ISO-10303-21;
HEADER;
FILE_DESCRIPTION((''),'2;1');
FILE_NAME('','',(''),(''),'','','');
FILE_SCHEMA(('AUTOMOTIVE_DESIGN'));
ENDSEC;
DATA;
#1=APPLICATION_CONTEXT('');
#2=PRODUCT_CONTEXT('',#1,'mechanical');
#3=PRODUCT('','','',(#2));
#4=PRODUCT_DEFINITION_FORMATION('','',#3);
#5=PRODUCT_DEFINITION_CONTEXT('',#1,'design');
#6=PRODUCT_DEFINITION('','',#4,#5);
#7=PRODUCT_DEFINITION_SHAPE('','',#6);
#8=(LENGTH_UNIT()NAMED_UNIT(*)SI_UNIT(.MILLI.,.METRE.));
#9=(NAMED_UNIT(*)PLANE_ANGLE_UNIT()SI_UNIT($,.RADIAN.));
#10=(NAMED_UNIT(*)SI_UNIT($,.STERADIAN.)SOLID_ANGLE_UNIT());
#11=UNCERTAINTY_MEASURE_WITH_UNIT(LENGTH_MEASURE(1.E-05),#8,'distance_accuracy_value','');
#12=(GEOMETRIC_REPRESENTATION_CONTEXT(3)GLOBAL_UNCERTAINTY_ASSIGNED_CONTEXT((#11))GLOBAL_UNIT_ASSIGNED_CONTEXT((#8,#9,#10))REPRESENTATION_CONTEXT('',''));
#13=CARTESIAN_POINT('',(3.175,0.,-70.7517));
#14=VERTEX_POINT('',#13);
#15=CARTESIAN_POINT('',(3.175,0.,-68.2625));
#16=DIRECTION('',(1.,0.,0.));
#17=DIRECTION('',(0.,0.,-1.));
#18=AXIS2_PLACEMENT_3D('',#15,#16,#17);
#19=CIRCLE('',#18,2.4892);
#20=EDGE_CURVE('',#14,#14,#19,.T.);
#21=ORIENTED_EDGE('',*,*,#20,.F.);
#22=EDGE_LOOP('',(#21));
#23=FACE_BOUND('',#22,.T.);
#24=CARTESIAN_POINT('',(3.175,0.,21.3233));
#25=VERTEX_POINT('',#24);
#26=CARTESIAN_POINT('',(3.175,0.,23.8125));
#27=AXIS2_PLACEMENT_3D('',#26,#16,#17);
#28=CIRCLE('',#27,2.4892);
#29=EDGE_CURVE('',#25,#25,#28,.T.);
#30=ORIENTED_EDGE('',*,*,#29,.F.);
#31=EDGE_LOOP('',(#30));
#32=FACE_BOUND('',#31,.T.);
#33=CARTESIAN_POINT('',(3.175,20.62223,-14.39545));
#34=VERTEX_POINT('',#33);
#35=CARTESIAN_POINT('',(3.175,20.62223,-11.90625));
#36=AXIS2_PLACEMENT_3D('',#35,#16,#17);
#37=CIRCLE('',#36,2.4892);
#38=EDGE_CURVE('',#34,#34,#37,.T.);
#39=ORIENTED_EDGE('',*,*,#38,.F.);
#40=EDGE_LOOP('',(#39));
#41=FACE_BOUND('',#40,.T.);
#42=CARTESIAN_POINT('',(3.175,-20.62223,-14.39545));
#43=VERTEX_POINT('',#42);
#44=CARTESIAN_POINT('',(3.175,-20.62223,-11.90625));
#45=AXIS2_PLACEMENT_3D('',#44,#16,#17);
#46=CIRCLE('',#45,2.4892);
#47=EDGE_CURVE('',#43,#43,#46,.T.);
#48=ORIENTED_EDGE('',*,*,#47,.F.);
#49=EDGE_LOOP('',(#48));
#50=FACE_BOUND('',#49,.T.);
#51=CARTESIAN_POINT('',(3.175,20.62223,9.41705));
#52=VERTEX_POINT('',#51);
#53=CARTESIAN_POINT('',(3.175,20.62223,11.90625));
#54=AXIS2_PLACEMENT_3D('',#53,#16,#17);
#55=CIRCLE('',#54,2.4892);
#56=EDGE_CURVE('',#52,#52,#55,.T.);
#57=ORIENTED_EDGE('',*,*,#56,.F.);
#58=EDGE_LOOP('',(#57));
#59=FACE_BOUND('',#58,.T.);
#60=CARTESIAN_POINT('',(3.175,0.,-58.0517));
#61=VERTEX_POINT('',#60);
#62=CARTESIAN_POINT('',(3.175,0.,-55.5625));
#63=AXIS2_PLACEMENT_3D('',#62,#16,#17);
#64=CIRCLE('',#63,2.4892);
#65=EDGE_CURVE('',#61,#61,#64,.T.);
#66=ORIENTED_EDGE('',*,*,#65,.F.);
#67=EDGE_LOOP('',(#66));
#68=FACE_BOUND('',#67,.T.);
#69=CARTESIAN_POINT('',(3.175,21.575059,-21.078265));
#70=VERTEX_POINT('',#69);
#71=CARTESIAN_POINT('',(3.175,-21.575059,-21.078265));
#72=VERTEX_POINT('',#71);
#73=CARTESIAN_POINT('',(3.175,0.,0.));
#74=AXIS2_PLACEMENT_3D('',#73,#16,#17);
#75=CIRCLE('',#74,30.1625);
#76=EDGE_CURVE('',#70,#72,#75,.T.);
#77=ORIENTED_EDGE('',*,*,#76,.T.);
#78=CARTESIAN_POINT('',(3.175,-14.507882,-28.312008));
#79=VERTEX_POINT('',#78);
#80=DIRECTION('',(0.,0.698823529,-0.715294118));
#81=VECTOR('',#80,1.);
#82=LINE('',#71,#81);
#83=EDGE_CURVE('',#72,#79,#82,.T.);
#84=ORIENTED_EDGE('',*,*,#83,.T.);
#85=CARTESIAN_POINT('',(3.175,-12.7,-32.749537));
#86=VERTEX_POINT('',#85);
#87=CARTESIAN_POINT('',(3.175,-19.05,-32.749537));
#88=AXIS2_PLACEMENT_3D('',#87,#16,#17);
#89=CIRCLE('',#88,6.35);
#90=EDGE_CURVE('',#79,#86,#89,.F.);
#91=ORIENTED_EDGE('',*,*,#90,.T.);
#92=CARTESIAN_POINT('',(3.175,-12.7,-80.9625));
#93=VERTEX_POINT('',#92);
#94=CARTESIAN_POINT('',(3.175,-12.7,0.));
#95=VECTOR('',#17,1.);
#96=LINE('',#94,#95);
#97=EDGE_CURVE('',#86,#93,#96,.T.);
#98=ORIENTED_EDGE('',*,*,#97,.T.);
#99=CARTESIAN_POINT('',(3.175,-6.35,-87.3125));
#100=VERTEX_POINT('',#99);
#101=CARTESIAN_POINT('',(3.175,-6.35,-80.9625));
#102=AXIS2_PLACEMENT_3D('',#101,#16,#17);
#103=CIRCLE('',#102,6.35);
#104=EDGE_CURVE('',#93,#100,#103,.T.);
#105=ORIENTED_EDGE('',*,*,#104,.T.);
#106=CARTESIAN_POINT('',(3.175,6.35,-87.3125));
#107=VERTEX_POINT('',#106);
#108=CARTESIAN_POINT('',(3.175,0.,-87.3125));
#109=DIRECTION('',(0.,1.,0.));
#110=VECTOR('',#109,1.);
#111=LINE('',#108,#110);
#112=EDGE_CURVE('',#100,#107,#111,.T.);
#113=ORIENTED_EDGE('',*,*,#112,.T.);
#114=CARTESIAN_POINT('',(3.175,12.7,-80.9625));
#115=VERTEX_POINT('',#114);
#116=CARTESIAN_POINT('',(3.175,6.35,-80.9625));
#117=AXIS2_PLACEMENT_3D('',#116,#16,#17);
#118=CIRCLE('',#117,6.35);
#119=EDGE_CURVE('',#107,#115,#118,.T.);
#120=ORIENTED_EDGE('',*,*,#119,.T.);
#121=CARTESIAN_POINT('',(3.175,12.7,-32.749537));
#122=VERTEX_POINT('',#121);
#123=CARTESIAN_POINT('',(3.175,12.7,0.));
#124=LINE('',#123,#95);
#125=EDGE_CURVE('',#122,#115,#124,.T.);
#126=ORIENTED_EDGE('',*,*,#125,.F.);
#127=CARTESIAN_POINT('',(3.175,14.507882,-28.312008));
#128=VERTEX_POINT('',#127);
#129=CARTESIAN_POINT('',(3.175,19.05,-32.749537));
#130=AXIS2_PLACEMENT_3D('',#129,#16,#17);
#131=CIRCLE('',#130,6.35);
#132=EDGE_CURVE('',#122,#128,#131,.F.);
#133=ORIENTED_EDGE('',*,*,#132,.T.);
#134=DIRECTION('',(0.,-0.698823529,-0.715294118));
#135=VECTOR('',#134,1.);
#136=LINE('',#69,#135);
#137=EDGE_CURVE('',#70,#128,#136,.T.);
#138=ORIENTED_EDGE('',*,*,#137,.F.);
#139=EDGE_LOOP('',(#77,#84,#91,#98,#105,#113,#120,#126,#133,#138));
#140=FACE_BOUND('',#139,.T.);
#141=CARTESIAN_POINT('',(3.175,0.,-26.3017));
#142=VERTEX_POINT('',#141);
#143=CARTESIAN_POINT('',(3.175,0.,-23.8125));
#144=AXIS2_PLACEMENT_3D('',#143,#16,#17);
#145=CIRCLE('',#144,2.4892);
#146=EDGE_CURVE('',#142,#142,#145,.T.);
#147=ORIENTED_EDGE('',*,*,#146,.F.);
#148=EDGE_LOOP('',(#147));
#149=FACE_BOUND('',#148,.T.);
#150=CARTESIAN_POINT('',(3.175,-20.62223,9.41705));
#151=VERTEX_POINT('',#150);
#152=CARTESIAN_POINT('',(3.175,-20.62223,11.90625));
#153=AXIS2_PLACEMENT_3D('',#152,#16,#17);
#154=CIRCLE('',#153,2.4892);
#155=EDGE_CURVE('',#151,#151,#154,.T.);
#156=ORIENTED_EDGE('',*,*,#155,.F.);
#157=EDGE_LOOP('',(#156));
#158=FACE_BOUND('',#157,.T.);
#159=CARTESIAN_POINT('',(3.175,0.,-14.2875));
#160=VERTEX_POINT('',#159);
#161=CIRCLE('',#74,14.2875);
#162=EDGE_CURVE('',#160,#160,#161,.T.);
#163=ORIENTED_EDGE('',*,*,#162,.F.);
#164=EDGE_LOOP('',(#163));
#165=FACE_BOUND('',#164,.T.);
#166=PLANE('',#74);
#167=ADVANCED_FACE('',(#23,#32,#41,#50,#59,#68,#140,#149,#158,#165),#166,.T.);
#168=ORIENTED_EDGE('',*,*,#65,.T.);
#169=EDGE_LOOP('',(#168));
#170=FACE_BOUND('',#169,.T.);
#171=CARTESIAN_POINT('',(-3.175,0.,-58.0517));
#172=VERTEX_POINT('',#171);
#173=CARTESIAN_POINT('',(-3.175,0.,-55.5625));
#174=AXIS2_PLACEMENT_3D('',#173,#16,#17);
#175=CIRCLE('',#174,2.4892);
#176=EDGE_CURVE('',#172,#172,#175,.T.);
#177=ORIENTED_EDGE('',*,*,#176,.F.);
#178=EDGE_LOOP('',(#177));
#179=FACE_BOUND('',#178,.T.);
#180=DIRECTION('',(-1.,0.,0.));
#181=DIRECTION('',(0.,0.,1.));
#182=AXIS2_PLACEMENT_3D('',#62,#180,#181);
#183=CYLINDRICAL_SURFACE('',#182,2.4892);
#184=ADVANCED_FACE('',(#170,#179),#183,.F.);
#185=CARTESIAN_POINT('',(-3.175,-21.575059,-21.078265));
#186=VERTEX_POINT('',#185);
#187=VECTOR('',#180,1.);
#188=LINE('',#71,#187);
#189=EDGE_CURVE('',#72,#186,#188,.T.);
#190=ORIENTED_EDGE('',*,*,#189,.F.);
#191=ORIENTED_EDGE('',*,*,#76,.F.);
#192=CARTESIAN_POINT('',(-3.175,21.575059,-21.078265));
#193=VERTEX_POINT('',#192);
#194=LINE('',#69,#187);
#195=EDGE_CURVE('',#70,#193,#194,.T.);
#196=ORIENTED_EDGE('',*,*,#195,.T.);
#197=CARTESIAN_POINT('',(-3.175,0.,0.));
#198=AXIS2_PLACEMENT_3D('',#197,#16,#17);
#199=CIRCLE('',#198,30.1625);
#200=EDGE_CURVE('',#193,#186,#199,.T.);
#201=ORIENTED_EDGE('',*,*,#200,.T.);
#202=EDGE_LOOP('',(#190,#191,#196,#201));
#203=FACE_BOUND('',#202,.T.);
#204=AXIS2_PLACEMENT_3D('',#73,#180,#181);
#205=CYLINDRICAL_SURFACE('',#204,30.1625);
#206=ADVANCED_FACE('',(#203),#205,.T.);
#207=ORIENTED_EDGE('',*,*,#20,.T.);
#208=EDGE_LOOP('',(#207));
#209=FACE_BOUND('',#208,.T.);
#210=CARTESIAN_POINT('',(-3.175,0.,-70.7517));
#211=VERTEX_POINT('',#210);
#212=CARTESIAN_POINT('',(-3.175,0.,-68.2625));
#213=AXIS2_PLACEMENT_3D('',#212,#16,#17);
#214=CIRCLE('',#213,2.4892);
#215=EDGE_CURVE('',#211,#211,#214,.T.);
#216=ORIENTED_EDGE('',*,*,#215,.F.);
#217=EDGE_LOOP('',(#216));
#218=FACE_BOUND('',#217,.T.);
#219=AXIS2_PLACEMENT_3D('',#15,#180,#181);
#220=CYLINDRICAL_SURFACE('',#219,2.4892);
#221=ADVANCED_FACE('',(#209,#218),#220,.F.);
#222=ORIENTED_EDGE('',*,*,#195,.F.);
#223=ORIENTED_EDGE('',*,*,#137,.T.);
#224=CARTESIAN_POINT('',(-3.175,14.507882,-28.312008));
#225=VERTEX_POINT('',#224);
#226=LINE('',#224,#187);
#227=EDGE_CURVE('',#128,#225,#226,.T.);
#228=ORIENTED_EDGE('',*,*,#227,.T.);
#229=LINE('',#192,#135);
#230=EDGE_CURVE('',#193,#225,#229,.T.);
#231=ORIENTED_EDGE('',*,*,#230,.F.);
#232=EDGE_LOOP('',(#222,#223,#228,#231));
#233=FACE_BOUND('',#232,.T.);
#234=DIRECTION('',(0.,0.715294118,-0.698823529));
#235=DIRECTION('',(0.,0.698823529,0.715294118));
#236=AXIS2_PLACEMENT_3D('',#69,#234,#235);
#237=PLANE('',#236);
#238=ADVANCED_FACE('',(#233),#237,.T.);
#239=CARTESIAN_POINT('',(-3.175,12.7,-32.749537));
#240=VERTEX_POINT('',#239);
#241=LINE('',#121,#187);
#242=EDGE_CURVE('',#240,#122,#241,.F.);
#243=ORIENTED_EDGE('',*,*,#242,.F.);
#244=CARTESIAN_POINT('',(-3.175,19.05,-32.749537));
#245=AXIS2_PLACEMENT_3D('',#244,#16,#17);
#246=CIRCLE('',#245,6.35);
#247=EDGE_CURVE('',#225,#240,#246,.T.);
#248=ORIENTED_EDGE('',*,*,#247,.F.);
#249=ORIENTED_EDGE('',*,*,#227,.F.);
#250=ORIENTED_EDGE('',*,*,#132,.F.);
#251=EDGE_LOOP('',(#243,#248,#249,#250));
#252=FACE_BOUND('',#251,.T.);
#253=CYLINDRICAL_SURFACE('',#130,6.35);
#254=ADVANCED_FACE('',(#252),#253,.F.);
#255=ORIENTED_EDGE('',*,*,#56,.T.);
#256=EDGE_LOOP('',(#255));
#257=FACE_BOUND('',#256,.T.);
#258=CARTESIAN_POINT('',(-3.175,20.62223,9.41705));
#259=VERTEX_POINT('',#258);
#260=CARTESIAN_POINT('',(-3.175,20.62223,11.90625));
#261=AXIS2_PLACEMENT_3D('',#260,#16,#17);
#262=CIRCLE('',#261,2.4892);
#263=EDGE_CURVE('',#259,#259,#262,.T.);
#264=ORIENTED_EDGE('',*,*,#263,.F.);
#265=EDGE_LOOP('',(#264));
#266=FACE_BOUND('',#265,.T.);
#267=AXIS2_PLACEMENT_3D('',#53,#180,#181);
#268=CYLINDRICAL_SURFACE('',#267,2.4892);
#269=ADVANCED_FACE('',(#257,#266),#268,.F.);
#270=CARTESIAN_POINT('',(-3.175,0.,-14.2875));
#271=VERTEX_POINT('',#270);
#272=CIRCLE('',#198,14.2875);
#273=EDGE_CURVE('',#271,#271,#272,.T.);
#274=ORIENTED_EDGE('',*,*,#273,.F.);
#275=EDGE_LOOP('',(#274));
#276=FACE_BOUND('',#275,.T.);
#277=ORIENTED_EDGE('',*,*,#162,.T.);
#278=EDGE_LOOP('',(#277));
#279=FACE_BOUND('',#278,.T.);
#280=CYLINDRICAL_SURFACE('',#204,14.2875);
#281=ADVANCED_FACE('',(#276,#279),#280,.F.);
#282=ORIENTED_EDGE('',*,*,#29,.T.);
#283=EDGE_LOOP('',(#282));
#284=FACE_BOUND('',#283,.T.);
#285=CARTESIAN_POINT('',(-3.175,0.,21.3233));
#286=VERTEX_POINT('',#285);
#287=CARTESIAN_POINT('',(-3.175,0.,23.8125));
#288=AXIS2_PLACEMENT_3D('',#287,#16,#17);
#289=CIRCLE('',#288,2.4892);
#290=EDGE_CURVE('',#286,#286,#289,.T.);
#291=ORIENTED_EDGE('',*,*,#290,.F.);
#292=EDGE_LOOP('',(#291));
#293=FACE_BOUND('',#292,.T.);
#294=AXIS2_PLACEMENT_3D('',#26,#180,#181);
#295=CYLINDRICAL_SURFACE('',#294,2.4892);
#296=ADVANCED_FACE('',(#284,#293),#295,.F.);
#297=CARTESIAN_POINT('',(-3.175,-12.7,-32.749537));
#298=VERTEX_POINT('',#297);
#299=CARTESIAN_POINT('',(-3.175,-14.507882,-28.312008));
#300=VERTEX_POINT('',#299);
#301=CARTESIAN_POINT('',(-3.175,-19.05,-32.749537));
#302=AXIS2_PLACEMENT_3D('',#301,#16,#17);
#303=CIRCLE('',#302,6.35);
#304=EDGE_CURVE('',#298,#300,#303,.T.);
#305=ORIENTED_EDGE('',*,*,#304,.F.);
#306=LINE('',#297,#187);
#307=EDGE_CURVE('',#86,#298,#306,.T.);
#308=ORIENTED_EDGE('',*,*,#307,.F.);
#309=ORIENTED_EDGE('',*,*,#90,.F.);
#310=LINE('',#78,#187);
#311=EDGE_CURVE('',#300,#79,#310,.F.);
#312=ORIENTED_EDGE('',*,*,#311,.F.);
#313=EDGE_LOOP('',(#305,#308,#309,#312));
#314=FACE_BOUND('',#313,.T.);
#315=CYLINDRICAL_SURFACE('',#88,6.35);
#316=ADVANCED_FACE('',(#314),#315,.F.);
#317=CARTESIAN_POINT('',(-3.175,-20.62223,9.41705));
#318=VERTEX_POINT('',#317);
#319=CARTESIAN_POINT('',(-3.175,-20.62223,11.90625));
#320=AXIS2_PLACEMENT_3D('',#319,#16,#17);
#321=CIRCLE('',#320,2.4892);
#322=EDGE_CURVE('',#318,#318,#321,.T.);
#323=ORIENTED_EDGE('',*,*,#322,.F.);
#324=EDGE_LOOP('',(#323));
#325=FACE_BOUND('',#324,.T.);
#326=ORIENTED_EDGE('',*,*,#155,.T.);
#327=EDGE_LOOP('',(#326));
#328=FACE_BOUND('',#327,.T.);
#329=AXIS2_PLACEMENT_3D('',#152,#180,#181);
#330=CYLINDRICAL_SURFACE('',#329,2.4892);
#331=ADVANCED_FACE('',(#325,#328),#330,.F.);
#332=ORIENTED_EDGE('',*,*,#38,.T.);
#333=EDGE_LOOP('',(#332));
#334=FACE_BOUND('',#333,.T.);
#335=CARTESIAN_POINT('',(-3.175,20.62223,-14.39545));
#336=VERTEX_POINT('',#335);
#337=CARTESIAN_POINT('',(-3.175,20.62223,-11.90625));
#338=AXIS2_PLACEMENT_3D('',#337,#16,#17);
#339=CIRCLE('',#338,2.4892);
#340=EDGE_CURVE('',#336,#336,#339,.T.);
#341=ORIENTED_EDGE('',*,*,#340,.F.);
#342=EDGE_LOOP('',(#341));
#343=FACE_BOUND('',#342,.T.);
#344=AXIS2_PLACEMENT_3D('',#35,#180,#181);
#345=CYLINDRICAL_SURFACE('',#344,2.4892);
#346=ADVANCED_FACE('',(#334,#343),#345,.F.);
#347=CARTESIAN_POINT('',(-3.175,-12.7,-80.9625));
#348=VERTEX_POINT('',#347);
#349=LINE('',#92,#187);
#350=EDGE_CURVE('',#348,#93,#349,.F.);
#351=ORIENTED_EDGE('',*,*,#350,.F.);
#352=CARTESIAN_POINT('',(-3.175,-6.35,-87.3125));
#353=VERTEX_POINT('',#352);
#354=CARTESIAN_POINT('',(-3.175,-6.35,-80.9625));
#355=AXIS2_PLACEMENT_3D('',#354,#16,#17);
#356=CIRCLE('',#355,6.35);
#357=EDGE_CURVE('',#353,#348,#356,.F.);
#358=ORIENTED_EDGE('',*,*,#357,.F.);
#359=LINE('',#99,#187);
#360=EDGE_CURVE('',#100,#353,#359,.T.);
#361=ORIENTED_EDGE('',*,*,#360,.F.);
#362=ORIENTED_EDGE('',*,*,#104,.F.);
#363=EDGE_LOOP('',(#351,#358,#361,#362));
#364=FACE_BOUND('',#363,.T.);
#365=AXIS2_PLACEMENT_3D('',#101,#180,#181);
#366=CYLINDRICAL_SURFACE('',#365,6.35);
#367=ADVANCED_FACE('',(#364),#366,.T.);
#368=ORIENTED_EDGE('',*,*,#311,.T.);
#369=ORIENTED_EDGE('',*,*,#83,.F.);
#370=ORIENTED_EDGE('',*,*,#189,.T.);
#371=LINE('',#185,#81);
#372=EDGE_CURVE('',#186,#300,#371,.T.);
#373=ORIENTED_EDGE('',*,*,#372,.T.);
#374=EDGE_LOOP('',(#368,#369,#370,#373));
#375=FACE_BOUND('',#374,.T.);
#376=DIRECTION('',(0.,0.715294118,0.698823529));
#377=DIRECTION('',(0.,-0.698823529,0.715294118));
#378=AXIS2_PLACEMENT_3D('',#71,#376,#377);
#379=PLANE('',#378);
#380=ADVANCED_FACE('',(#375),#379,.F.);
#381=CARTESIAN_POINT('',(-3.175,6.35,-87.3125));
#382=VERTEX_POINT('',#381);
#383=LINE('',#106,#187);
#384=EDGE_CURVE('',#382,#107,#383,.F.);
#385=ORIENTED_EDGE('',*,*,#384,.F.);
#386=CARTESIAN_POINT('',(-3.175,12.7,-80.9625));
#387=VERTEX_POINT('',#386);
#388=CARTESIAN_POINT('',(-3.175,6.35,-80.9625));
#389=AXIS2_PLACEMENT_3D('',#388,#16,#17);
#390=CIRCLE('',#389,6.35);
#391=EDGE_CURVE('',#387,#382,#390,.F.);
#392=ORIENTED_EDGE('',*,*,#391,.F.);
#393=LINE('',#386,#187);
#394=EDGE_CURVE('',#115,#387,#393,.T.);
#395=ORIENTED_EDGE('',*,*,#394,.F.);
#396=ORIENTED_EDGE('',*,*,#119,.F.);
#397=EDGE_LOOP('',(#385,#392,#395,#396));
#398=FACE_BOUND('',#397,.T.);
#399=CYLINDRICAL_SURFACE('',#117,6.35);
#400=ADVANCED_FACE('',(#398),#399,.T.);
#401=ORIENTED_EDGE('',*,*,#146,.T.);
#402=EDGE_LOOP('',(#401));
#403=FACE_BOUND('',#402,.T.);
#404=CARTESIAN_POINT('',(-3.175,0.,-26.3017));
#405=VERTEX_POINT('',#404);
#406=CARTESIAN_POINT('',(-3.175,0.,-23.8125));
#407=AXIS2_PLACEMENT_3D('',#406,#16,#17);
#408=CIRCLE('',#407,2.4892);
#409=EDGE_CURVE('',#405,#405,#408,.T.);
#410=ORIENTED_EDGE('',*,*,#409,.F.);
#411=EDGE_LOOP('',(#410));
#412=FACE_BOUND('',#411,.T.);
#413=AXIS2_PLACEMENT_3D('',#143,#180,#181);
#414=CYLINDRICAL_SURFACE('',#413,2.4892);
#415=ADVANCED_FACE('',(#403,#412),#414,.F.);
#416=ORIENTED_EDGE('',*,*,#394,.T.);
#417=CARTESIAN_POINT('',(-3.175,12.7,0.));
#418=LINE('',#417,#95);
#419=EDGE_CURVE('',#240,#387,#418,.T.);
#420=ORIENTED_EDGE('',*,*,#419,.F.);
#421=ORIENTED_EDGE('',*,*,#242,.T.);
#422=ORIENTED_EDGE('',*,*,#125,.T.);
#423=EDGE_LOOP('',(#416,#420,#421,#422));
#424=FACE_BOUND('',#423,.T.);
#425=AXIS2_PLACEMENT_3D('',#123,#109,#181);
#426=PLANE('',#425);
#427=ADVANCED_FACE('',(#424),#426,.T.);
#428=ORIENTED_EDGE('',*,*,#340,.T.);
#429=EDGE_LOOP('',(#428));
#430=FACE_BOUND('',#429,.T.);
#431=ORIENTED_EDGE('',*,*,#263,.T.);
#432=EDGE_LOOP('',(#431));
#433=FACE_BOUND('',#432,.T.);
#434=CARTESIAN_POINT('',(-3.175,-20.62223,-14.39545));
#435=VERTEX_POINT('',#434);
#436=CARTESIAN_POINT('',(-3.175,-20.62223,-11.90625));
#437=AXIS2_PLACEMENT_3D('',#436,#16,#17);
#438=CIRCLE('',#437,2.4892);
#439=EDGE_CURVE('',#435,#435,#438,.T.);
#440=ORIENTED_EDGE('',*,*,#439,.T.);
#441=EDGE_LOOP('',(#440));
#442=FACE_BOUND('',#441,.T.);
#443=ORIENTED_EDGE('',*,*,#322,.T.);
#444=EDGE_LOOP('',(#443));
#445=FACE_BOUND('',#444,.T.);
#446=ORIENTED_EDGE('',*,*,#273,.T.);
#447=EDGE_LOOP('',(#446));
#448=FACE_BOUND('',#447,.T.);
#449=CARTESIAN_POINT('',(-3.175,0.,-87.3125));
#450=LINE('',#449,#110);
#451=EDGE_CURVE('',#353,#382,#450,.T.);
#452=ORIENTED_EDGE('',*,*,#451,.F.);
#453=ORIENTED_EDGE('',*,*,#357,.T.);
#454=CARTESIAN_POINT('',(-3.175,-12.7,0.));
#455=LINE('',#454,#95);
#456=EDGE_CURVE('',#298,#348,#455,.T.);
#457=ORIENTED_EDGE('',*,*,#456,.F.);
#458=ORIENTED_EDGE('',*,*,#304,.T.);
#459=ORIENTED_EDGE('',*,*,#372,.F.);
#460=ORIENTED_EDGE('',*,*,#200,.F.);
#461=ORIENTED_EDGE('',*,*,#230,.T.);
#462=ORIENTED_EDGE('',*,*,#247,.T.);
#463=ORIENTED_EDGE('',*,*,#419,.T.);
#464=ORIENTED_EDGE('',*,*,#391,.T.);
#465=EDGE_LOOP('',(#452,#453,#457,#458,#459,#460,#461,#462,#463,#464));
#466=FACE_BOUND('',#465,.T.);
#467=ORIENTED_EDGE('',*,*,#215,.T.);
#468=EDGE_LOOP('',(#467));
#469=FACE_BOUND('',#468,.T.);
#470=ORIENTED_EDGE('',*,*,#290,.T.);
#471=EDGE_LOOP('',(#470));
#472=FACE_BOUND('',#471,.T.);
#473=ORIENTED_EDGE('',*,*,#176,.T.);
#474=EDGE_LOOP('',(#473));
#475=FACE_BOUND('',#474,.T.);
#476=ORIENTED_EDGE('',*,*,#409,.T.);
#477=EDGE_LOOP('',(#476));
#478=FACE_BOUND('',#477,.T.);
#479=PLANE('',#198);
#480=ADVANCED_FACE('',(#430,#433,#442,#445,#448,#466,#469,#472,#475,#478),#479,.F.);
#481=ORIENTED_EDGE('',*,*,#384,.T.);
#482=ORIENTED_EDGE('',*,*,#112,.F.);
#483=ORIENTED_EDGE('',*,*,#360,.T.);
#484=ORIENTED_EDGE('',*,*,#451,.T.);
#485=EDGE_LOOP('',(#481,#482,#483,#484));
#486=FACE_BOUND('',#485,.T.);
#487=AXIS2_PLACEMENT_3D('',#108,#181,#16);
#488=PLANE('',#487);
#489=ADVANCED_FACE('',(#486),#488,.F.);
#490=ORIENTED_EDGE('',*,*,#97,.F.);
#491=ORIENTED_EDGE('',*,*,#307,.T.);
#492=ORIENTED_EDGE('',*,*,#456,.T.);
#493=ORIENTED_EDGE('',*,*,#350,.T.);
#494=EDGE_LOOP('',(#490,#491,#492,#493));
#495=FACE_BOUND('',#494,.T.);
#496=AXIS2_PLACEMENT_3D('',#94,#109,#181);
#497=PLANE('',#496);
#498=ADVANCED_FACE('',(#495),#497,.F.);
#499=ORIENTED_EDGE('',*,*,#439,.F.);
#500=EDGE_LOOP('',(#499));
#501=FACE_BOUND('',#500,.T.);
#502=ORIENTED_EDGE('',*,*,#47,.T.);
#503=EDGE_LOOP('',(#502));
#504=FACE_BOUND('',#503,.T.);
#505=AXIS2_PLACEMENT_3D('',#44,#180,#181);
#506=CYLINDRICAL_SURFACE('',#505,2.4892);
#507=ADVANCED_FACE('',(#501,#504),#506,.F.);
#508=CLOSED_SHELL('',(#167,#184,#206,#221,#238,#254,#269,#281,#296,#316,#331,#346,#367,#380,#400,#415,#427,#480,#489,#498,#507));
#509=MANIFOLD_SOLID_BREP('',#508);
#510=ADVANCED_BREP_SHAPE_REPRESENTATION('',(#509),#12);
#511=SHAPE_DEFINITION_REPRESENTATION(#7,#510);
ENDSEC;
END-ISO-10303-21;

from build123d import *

# Parameters (mm, degrees)
SKETCH1_R           = 2.4892
SKETCH1_R_2         = 14.2875
BOSS_EXTRUDE1_DEPTH = 3.175
FILLET1_R           = 6.35


with BuildPart() as part:
    # Sketch1 → Boss-Extrude1 (new, symmetric)
    with BuildSketch(Plane(origin=(0, 0, 0), x_dir=(0, 0, -1), z_dir=(1, 0, 0))):
        with BuildLine():
            Line((21.078264706, -21.575058824), (30.1625, -12.7))
            Line((30.1625, -12.7), (87.3125, -12.7))
            Line((87.3125, -12.7), (87.3125, 12.7))
            Line((87.3125, 12.7), (30.1625, 12.7))
            Line((30.1625, 12.7), (21.078264706, 21.575058824))
            ThreePointArc((21.078264706, 21.575058824), (-30.1625, 0), (21.078264706, -21.575058824))
        make_face()
        with Locations((55.5625, 0)):
            Circle(SKETCH1_R, mode=Mode.SUBTRACT)
        with Locations((68.2625, 0)):
            Circle(SKETCH1_R, mode=Mode.SUBTRACT)
        with Locations((-11.90625, 20.622229928)):
            Circle(SKETCH1_R, mode=Mode.SUBTRACT)
        with Locations((11.90625, 20.622229928)):
            Circle(SKETCH1_R, mode=Mode.SUBTRACT)
        with Locations((-11.90625, -20.622229928)):
            Circle(SKETCH1_R, mode=Mode.SUBTRACT)
        with Locations((11.90625, -20.622229928)):
            Circle(SKETCH1_R, mode=Mode.SUBTRACT)
        with Locations((-23.8125, 0)):
            Circle(SKETCH1_R, mode=Mode.SUBTRACT)
        Circle(SKETCH1_R_2, mode=Mode.SUBTRACT)
        with Locations((23.8125, 0)):
            Circle(SKETCH1_R, mode=Mode.SUBTRACT)
    extrude(amount=BOSS_EXTRUDE1_DEPTH, both=True)

    # Fillet1
    fillet1_edges = [part.edges().sort_by_distance(p)[0] for p in [
        (0, 12.7, -30.1625),
        (0, 12.7, -87.3125),
        (0, -12.7, -87.3125),
        (0, -12.7, -30.1625),
    ]]
    fillet(fillet1_edges, radius=FILLET1_R)


solid = part.part
